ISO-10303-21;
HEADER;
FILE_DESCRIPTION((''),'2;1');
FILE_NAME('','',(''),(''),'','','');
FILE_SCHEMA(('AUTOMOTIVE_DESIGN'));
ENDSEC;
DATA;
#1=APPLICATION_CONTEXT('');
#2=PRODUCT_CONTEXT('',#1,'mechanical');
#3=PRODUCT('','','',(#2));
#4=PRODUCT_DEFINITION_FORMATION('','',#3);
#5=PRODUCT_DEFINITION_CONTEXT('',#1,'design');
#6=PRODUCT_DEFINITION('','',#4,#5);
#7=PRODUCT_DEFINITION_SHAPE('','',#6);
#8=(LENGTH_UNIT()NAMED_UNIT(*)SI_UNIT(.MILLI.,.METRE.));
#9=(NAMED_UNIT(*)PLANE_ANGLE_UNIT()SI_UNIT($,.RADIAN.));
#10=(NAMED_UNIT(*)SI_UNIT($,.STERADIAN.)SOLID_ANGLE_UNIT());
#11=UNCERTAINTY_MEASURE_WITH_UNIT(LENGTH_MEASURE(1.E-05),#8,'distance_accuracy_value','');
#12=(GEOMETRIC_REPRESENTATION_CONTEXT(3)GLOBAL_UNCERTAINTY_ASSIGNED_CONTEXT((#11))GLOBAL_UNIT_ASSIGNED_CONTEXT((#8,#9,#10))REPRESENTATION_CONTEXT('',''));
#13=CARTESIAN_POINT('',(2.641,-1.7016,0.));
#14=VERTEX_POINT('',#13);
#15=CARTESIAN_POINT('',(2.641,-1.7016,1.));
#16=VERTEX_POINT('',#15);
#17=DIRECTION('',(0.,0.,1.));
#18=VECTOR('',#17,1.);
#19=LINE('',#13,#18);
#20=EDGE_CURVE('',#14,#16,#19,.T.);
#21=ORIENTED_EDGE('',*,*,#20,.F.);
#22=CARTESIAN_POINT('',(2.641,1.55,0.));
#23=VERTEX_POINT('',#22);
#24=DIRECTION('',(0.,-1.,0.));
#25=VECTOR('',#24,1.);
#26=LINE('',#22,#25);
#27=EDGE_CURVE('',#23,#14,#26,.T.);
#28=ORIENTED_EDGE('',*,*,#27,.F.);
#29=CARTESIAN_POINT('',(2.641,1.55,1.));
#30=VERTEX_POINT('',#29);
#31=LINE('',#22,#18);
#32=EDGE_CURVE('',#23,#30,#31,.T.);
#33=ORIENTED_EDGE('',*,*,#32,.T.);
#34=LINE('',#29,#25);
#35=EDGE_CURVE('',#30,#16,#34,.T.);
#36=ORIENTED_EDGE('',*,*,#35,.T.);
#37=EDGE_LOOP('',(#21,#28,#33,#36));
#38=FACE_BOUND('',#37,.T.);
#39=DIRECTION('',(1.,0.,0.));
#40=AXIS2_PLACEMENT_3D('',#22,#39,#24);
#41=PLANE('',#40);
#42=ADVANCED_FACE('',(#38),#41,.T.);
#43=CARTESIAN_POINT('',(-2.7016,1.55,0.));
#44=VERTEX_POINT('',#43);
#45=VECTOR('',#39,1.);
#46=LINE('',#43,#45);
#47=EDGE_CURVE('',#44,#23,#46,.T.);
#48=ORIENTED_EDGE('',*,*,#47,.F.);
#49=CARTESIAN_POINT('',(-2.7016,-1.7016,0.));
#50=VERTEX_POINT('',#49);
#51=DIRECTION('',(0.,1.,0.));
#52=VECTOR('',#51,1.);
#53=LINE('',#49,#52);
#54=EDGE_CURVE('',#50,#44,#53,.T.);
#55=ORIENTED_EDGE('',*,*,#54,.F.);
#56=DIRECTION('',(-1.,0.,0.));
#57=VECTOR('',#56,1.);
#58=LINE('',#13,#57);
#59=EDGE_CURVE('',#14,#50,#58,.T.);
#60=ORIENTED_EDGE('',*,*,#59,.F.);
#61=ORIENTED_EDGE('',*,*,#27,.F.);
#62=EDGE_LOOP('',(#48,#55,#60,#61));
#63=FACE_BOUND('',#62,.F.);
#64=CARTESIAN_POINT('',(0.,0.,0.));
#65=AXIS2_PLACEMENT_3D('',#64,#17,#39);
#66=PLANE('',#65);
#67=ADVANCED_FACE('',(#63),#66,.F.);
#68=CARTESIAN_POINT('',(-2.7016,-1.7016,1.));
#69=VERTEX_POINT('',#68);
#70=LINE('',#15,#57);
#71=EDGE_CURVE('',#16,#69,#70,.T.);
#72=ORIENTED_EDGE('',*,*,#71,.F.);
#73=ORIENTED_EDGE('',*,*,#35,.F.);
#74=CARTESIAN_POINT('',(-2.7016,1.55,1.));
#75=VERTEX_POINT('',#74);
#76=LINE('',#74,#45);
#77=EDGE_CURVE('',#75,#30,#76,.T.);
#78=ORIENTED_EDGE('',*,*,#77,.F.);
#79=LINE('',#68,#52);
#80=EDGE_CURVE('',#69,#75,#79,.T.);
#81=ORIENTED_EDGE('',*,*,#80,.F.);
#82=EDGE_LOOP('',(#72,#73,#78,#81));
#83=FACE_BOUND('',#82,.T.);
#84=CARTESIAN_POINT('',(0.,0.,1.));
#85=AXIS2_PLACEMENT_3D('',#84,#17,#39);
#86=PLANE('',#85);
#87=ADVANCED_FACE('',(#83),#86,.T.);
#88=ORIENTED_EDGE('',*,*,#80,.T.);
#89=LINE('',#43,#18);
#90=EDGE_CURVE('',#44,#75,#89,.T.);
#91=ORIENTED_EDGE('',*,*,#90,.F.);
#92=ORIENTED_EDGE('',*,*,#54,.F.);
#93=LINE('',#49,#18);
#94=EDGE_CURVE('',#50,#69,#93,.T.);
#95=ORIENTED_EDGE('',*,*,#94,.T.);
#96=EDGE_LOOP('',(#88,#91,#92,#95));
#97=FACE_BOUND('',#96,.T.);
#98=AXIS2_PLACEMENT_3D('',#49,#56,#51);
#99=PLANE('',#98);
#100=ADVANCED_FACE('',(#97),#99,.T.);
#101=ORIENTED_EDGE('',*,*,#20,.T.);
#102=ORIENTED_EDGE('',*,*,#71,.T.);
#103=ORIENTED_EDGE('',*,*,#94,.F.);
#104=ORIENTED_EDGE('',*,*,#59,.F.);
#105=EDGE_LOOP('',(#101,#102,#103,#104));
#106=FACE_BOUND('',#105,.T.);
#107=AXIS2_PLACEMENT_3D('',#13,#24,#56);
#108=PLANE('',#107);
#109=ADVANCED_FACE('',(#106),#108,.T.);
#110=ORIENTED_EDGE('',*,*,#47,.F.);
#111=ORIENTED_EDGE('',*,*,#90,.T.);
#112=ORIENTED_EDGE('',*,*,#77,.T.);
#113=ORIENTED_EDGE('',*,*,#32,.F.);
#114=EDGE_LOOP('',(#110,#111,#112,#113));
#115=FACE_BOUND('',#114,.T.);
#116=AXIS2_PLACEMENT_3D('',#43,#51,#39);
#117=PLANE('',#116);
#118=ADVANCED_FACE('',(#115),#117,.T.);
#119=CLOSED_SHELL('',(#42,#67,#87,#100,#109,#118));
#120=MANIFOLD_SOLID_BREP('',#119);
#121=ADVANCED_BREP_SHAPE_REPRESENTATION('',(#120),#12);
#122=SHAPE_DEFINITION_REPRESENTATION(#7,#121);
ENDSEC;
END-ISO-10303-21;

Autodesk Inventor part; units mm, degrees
ref_plane "YZ Plane" through (0, 0, 0) normal (1, 0, 0) x (0, 1, 0)
ref_plane "XZ Plane" through (0, 0, 0) normal (0, 1, 0) x (-1, 0, 0)
ref_plane "XY Plane" through (0, 0, 0) normal (0, 0, 1) x (1, 0, 0)
sketch "EIA3528, 10UF_3" plane through (0, 0, 0) normal (0, 0, 1) x (1, 0, 0)
  line L0 (-2.7016, 1.55) -> (2.641, 1.55)
  line L1 (2.641, 1.55) -> (2.641, -1.7016)
  line L2 (2.641, -1.7016) -> (-2.7016, -1.7016)
  line L3 (-2.7016, -1.7016) -> (-2.7016, 1.55)
extrude "Extrusion1" add sketch "EIA3528, 10UF_3" along normal blind 1
properties part number "10UF"
